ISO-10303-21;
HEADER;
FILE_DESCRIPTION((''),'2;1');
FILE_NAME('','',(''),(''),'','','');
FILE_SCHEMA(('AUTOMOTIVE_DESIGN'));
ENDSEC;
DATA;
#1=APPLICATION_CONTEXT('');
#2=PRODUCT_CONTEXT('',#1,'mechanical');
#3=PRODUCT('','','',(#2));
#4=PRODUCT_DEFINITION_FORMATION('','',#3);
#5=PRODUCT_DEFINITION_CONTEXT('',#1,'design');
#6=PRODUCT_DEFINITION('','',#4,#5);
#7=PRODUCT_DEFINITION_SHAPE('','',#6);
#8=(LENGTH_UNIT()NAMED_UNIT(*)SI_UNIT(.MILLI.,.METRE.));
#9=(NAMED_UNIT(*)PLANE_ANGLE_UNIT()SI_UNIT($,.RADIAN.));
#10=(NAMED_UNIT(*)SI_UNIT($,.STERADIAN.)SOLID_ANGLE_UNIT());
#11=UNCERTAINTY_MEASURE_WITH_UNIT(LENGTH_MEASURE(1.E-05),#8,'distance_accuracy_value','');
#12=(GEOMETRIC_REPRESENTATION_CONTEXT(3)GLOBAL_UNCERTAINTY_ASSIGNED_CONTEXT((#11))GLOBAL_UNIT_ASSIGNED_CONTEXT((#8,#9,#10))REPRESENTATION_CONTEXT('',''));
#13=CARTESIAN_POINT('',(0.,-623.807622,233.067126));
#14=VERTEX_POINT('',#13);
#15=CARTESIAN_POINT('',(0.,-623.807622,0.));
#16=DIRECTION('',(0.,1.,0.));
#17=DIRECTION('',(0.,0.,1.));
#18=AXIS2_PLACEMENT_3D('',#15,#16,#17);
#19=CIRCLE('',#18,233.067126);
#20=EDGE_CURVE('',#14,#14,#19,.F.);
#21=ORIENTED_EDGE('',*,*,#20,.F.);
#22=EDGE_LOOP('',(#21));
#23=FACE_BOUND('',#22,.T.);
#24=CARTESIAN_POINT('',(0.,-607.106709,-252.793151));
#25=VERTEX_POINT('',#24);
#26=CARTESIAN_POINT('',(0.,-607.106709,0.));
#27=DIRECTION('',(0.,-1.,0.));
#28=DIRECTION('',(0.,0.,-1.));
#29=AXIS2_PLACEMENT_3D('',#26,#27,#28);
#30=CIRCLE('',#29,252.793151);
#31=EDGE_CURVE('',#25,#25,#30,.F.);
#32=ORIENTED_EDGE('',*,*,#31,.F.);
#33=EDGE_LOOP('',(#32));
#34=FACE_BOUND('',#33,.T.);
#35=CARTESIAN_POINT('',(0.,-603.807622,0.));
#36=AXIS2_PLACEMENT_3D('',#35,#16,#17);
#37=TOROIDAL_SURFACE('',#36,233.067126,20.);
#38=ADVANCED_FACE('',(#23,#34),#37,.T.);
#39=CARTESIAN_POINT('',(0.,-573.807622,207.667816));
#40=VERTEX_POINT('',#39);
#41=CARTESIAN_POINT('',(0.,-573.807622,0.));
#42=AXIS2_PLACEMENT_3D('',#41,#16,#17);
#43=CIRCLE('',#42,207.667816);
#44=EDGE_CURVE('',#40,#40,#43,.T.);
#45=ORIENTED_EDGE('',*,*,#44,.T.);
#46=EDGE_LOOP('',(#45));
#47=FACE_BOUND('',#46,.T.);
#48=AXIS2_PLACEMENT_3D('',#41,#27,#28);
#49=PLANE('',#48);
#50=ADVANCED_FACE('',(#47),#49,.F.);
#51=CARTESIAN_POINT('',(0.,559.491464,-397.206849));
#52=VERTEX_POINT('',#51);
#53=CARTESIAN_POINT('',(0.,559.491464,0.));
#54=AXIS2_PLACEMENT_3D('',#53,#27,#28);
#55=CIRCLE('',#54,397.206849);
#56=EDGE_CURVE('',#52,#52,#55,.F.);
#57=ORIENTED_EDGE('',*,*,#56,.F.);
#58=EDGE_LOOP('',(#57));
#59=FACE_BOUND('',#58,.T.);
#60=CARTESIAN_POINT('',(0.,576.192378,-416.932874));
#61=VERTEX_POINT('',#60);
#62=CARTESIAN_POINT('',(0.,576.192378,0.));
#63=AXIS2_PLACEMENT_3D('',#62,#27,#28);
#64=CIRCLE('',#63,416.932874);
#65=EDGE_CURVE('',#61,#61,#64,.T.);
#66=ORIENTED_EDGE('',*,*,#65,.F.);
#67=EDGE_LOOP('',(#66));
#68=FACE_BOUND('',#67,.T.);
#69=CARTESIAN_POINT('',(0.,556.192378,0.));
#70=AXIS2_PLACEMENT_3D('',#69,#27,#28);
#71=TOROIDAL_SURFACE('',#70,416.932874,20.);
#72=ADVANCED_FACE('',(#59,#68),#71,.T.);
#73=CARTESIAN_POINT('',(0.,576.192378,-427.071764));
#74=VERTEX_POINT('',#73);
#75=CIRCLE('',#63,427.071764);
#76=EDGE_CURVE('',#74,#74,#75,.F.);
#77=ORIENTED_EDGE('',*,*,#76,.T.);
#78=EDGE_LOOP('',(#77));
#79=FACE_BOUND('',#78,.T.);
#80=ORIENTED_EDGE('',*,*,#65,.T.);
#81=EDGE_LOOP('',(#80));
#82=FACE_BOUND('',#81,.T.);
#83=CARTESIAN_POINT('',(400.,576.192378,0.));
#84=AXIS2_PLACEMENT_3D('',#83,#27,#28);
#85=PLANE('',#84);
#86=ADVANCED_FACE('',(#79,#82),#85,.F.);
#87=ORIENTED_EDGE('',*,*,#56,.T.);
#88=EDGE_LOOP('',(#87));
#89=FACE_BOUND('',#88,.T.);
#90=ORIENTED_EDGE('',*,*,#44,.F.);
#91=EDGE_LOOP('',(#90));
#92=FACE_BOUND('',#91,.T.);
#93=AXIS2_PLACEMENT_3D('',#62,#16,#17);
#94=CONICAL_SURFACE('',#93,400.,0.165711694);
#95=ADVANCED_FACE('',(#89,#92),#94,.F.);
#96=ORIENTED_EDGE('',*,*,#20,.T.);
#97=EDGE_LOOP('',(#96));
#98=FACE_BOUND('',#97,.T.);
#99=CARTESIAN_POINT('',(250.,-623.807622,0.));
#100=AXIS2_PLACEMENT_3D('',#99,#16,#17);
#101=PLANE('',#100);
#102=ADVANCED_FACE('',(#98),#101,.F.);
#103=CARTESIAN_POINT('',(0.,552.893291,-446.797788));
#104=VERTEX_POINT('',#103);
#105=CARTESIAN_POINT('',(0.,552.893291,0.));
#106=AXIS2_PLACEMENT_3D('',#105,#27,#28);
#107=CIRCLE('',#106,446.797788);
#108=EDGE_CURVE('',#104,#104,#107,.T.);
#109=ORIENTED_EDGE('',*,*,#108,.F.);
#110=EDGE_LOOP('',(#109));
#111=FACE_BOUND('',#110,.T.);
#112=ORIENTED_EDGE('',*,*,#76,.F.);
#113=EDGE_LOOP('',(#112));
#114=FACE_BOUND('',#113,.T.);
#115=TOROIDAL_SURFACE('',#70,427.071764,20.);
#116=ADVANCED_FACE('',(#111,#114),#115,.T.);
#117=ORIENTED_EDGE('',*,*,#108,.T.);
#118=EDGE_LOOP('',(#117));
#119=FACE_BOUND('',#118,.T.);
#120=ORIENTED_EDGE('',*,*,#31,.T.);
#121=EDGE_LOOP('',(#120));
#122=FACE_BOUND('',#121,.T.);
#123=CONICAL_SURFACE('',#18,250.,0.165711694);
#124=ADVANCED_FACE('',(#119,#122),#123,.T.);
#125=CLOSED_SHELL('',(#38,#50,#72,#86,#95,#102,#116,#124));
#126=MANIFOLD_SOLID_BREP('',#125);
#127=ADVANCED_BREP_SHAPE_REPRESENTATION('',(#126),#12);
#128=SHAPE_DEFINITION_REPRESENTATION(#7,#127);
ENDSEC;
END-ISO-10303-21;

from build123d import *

# Parameters (mm, degrees)
FILLET1_R = 20


with BuildPart() as part:
    # Sketch1 → Revolve1 (revolve)
    with BuildSketch(Plane.XY):
        Polygon((0, -573.807622343), (0, -623.807622343), (250, -623.807622343), (450.694452759, 576.192377657), (400, 576.192377657), (207.667816106, -573.807622343), align=None)
    revolve(axis=Axis((0, 411.869437483, 0), (0, -1, 0)))

    # Fillet1
    fillet1_edges = [part.edges().sort_by_distance(p)[0] for p in [
        (-400, 576.192377657, 0),
        (-450.694452759, 576.192377657, 0),
        (-250, -623.807622343, 0),
    ]]
    fillet(fillet1_edges, radius=FILLET1_R)


solid = part.part
